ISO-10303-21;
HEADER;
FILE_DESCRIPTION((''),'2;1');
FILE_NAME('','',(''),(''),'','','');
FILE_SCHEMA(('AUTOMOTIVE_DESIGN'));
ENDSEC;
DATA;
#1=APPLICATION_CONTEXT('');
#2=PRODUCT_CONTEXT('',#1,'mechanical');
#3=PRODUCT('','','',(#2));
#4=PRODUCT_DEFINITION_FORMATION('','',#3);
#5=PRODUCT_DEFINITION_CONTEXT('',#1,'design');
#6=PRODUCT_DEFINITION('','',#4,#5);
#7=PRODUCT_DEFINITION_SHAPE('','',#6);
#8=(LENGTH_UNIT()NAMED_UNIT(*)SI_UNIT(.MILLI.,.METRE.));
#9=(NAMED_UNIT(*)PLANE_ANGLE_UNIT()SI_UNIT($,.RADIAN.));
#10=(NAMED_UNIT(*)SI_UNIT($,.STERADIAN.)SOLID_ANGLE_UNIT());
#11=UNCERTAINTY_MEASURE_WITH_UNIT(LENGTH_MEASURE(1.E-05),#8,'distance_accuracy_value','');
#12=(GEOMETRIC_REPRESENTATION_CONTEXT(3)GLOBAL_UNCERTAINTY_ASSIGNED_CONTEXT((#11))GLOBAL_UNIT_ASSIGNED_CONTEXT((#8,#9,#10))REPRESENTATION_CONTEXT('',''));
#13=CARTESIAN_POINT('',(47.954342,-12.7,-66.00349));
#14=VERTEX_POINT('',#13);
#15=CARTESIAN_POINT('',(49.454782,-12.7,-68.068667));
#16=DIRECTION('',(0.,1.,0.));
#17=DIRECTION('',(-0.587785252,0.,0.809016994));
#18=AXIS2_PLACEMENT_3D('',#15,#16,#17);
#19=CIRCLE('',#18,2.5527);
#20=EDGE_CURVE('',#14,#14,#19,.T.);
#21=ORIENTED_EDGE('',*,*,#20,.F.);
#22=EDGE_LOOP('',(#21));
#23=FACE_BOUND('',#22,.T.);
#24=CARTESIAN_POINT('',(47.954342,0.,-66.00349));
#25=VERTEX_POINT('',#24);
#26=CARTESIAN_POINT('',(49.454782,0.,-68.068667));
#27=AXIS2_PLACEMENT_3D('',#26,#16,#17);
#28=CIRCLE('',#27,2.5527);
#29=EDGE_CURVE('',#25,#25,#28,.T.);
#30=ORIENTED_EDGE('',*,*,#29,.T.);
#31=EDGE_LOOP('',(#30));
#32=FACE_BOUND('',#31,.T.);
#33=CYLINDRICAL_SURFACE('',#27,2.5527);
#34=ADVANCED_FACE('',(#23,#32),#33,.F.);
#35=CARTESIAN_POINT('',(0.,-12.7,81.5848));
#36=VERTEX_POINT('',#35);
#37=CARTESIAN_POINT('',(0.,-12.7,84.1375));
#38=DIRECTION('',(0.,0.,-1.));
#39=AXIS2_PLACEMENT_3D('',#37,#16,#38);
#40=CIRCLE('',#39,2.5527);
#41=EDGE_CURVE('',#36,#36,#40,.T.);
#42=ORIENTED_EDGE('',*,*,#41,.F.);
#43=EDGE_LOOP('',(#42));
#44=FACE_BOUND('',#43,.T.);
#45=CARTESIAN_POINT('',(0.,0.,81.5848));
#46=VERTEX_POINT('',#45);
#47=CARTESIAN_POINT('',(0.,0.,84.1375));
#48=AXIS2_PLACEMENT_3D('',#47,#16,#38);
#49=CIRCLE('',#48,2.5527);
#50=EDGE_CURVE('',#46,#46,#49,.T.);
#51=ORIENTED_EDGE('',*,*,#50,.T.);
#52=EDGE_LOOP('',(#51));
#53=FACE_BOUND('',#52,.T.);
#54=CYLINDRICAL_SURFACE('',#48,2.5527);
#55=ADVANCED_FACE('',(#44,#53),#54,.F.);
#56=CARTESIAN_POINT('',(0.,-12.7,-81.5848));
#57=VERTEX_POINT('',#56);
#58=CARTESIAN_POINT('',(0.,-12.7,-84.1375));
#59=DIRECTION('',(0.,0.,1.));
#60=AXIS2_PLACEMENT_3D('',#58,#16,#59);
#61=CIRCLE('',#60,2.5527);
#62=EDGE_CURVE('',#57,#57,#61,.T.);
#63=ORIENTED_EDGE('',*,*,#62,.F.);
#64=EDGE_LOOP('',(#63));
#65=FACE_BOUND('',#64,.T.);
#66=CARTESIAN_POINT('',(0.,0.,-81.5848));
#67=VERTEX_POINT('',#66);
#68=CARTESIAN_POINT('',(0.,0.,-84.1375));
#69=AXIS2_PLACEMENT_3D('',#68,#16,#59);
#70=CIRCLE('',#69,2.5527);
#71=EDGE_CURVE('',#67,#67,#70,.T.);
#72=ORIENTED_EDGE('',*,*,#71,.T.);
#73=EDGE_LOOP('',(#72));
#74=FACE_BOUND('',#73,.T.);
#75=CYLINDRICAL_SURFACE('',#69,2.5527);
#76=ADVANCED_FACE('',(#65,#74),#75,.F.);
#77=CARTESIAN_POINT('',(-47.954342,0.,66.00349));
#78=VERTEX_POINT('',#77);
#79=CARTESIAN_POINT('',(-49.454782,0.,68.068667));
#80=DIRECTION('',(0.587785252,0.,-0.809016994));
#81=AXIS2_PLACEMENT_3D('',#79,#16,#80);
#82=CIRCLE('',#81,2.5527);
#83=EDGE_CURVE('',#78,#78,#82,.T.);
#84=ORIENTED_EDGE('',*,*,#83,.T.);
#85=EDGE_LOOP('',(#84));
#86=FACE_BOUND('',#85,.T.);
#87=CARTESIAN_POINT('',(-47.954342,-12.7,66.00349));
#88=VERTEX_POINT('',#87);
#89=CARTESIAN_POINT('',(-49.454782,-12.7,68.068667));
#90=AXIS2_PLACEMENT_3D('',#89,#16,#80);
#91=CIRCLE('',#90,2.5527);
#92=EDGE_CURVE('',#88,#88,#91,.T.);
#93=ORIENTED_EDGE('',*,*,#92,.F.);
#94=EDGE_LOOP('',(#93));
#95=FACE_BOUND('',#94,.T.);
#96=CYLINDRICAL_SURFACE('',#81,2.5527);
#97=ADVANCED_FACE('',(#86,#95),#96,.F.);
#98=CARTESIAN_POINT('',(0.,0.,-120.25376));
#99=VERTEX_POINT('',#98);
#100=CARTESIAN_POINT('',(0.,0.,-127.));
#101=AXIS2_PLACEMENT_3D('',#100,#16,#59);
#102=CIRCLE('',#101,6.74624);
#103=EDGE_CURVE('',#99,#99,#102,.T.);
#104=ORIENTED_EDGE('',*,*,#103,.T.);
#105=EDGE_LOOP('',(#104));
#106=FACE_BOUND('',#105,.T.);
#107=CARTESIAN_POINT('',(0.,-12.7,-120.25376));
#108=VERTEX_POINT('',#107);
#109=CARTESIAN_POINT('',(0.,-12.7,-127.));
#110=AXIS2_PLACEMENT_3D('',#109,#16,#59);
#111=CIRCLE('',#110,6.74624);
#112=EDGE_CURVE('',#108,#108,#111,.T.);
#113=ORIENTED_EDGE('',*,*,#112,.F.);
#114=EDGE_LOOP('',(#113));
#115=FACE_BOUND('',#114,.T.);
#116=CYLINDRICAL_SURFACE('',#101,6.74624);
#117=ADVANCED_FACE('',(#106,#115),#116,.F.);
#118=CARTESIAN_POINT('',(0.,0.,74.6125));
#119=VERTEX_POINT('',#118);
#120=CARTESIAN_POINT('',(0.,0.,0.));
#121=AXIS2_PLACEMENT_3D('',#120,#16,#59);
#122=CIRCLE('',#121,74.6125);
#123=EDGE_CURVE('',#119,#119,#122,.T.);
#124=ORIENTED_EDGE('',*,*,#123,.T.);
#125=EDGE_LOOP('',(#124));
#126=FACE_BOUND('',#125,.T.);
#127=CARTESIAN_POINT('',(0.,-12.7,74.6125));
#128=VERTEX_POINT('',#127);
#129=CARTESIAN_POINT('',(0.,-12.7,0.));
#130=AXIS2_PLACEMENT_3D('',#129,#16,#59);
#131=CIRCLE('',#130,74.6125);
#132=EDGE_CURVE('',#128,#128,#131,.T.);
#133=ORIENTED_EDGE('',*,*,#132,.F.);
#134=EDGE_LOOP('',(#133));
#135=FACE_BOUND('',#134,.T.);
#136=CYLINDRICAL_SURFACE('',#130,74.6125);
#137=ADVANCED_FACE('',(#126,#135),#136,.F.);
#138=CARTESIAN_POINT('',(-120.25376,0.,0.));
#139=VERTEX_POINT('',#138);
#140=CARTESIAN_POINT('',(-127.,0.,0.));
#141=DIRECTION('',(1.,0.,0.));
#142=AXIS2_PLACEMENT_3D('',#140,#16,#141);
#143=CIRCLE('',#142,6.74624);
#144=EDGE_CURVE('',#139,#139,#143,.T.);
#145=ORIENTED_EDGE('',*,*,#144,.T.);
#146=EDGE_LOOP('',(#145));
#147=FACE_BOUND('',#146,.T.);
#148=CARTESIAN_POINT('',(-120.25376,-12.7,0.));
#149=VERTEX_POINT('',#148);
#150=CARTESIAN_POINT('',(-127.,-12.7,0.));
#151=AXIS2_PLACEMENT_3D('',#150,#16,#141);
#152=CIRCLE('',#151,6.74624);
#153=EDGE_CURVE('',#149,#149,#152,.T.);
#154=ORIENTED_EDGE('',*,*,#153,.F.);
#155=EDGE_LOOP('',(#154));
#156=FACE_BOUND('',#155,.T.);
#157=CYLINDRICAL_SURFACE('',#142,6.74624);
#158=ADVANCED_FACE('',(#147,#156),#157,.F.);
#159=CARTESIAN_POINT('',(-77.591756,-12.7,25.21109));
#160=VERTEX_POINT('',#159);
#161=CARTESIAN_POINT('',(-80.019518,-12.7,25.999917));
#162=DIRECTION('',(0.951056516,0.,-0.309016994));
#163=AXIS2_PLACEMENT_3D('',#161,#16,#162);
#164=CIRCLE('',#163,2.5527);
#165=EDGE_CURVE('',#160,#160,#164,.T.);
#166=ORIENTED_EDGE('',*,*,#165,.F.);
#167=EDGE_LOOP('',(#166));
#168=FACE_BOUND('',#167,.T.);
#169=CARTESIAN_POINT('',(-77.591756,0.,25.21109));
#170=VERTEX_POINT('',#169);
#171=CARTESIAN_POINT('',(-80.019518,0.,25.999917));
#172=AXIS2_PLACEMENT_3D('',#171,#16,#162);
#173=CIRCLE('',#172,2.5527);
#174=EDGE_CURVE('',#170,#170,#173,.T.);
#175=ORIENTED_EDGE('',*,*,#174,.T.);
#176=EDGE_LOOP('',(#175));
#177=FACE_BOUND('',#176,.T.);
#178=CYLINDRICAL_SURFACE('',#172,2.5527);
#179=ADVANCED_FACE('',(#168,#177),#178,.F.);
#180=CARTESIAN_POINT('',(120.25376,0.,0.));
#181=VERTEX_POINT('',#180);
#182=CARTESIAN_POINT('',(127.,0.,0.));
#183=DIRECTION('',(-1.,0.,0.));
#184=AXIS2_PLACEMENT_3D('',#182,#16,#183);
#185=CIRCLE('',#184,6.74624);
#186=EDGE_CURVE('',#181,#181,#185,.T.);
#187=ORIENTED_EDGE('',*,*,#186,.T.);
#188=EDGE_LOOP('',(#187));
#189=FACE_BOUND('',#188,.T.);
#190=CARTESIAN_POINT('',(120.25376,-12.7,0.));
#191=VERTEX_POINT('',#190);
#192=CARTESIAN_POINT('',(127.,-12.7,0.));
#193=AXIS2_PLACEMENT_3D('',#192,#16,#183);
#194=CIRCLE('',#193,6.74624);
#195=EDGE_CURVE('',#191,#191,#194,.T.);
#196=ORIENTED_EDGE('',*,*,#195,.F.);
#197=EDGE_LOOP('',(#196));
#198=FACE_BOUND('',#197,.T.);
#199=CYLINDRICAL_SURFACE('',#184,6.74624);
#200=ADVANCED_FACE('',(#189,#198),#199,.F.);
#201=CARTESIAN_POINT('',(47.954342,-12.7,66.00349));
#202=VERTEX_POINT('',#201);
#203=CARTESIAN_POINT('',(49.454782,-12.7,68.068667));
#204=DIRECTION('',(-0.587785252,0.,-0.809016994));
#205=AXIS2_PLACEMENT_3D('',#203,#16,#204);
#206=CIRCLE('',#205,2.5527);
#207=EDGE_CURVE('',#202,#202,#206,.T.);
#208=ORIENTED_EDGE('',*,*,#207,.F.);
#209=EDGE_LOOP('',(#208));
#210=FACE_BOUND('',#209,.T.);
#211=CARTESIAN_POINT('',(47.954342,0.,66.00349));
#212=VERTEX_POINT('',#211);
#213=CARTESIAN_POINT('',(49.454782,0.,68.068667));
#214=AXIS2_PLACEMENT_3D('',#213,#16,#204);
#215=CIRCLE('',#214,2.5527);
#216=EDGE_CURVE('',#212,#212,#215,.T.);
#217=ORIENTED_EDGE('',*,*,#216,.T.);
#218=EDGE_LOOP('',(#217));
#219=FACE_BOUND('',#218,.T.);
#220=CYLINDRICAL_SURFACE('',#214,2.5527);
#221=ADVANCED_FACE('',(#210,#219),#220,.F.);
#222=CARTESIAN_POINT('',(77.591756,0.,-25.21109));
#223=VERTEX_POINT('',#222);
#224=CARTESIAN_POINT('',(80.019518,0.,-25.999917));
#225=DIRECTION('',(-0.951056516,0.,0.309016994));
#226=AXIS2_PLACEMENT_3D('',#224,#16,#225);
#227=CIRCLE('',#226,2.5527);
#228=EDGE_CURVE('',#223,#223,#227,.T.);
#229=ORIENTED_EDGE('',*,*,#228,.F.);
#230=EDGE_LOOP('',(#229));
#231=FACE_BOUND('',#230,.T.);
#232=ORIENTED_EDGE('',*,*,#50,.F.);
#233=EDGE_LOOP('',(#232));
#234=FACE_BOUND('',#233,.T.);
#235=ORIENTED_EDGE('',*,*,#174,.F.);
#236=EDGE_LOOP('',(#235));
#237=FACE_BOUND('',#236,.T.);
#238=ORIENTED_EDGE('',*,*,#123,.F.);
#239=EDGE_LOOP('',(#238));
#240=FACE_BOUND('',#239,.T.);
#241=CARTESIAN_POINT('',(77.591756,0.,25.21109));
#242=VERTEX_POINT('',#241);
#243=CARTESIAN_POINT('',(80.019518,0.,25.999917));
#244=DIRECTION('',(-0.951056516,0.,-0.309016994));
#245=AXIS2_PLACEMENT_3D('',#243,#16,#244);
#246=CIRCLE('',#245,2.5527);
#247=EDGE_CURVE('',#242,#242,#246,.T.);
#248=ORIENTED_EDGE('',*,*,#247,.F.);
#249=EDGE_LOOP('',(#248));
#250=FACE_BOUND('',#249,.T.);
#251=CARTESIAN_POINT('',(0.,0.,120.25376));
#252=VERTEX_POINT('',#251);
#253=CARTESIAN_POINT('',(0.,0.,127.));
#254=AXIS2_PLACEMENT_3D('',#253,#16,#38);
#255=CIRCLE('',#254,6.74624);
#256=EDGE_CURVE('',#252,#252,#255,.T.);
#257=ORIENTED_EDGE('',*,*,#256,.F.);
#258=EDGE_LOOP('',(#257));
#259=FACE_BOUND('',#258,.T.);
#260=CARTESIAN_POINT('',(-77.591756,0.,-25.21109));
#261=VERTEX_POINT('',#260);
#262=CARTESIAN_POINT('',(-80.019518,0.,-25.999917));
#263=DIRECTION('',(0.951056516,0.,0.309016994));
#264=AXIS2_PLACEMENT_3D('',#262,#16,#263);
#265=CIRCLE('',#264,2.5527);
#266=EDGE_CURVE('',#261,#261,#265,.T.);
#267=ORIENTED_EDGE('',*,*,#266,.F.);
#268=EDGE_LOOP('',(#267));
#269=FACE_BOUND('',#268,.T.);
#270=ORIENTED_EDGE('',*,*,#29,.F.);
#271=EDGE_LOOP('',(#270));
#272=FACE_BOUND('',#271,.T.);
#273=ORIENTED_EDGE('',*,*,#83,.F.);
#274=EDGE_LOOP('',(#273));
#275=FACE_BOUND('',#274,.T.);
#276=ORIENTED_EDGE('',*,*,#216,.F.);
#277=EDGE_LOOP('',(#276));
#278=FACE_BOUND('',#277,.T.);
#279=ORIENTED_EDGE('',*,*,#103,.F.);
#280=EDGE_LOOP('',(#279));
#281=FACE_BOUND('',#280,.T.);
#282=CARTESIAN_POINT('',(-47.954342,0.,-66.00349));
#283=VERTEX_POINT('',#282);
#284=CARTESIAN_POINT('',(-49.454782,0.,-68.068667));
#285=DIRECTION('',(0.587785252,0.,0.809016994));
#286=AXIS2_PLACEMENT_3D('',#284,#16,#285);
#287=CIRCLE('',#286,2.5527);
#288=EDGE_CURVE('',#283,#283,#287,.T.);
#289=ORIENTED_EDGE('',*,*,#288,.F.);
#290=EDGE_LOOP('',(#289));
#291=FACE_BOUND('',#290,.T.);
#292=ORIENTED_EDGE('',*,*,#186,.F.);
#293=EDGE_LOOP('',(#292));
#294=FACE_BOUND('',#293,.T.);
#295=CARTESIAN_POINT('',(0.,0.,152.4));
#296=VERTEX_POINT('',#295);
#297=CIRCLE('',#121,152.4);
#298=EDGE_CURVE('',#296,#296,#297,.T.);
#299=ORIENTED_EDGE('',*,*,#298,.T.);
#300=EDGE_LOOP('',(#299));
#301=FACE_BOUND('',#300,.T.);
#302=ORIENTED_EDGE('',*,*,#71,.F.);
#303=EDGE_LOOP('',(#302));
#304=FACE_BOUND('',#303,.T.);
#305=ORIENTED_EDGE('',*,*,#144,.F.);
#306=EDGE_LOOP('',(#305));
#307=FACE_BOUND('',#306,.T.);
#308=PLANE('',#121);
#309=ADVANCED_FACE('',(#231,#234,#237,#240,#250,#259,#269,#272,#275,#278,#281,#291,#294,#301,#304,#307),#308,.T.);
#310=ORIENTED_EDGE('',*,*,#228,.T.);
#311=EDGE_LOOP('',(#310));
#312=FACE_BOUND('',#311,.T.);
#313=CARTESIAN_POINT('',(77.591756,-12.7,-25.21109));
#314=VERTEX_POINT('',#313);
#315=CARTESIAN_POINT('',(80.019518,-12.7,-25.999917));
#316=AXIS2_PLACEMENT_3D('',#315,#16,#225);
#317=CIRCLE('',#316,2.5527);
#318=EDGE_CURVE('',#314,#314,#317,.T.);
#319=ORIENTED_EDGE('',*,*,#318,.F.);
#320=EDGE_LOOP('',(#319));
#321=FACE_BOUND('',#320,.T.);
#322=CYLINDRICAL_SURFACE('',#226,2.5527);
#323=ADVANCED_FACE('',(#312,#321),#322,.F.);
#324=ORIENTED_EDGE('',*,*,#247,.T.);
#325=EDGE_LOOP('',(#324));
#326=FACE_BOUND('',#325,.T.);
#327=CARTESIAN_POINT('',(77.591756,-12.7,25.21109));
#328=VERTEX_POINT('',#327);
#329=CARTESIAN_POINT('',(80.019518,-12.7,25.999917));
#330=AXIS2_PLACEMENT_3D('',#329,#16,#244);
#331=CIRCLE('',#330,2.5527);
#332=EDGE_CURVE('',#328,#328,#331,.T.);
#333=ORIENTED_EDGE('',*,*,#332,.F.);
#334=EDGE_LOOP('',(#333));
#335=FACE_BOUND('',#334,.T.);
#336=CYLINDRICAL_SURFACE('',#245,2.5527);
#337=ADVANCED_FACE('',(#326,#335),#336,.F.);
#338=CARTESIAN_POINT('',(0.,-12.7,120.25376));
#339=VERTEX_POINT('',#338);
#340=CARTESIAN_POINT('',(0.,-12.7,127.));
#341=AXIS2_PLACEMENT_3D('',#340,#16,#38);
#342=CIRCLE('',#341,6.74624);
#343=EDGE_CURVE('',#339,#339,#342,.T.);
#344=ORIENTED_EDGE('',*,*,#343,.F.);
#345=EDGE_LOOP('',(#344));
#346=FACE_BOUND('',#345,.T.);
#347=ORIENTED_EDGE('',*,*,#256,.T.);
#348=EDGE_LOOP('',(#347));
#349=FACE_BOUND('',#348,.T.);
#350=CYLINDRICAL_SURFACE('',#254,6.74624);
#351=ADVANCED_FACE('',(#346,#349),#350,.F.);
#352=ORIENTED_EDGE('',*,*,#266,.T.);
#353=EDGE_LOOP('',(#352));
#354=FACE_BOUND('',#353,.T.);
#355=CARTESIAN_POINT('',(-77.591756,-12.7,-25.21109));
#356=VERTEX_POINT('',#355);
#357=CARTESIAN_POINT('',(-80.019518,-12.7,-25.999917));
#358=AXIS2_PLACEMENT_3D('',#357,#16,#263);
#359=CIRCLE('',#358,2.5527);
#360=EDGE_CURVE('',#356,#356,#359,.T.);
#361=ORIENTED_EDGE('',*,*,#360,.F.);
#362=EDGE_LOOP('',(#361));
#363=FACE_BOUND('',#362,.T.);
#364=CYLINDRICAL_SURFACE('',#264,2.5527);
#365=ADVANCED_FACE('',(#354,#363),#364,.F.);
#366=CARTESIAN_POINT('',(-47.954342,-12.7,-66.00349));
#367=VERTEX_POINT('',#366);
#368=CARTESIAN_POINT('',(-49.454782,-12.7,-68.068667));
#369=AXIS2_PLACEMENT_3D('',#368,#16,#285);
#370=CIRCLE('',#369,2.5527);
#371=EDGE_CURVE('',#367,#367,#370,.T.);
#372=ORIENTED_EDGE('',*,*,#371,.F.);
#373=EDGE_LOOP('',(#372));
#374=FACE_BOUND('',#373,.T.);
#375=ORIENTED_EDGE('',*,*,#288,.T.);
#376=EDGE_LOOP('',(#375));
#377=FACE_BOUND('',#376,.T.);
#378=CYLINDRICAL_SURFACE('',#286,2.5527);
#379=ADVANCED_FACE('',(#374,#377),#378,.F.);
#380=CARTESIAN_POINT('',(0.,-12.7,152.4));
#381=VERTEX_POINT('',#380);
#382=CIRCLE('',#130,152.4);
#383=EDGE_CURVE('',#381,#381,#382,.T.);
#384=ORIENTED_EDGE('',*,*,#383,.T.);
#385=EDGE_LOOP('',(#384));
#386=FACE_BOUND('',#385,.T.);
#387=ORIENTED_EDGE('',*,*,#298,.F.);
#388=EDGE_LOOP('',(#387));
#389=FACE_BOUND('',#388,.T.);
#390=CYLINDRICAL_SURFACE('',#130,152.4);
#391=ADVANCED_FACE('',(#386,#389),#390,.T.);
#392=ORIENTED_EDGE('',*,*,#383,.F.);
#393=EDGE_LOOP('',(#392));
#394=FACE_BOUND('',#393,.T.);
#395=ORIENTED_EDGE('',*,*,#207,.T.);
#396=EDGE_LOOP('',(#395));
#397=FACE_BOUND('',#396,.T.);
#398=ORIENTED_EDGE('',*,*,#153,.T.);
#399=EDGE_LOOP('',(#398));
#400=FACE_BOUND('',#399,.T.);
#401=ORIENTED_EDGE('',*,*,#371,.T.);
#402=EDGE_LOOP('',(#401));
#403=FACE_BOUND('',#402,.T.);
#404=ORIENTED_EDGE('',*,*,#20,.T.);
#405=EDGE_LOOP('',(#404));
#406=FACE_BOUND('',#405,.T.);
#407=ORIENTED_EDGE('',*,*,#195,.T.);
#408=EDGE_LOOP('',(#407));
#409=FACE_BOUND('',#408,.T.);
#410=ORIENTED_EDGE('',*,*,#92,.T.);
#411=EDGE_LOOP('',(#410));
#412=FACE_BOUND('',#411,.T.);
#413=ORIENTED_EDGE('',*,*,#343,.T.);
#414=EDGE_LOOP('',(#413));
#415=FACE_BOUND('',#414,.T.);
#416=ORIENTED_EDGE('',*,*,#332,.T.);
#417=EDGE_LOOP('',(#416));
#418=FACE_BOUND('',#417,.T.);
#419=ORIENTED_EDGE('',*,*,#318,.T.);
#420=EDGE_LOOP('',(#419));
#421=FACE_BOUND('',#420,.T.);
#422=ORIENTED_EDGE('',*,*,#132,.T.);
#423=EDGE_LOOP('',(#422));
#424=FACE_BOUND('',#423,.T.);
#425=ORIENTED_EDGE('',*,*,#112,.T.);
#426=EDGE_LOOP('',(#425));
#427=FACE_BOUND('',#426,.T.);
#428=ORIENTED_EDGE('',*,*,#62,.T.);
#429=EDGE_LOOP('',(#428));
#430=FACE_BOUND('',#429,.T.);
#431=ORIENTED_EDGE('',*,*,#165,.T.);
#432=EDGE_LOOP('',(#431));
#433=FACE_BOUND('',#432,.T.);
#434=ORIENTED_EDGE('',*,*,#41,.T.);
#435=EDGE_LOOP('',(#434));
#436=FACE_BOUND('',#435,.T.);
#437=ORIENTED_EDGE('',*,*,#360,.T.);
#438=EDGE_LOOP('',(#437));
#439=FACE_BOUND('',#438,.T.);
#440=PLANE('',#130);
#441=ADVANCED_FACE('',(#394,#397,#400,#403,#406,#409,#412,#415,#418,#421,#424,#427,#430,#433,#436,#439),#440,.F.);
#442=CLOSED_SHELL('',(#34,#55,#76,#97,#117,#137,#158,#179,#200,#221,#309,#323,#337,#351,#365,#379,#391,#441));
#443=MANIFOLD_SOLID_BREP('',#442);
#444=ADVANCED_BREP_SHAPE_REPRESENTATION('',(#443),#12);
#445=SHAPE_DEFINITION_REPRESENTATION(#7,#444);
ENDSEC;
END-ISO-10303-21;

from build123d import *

# Parameters (mm, degrees)
SKETCH1_R                           = 152.4
SKETCH1_R_2                         = 74.6125
THRUSTPLATE_TC3_DEPTH               = 12.7
UNDEF_CLEARANCE_THRUSTPLATE_D       = 13.49248
CLEARANCE_THRUSTPLATE_PATTERN_COUNT = 4
F_10_CLEARANCE_HOLE1_D              = 5.1054
CIRPATTERN1_COUNT                   = 10


with BuildPart() as part:
    # Sketch1 → ThrustPlate_TC3 (new body)
    with BuildSketch(Plane(origin=(0, 0, 0), x_dir=(1, 0, 0), z_dir=(0, 1, 0))):
        with Locations(Location((0, 0, 0), (0, 0, 270))):
            Circle(SKETCH1_R)
        with Locations(Location((0, 0, 0), (0, 0, 270))):
            Circle(SKETCH1_R_2, mode=Mode.SUBTRACT)
    extrude(amount=-THRUSTPLATE_TC3_DEPTH)

    # UNDEF_Clearance_ThrustPlate (through all)
    with Locations(Plane(origin=(0, 0, 0), x_dir=(1, 0, 0), z_dir=(0, 1, 0))):
        with Locations((0, 127)):
            undef_clearance_thrustplate = Hole(UNDEF_CLEARANCE_THRUSTPLATE_D / 2)

    # Clearance_ThrustPlate_Pattern: UNDEF_Clearance_ThrustPlate ×4 about axis
    clearance_thrustplate_pattern_axis = Axis((0, 0, 0), (0, 1, 0))
    for i in range(1, CLEARANCE_THRUSTPLATE_PATTERN_COUNT):
        add(undef_clearance_thrustplate.rotate(clearance_thrustplate_pattern_axis, i * 360 / CLEARANCE_THRUSTPLATE_PATTERN_COUNT), mode=Mode.SUBTRACT)

    # #10 Clearance Hole1 (through all)
    with Locations(Plane(origin=(0, 0, 0), x_dir=(1, 0, 0), z_dir=(0, 1, 0))):
        with Locations((0, 84.1375)):
            f_10_clearance_hole1 = Hole(F_10_CLEARANCE_HOLE1_D / 2)

    # CirPattern1: #10 Clearance Hole1 ×10 about axis
    cirpattern1_axis = Axis((0, 0, 0), (0, 1, 0))
    for i in range(1, CIRPATTERN1_COUNT):
        add(f_10_clearance_hole1.rotate(cirpattern1_axis, i * 360 / CIRPATTERN1_COUNT), mode=Mode.SUBTRACT)


solid = part.part
